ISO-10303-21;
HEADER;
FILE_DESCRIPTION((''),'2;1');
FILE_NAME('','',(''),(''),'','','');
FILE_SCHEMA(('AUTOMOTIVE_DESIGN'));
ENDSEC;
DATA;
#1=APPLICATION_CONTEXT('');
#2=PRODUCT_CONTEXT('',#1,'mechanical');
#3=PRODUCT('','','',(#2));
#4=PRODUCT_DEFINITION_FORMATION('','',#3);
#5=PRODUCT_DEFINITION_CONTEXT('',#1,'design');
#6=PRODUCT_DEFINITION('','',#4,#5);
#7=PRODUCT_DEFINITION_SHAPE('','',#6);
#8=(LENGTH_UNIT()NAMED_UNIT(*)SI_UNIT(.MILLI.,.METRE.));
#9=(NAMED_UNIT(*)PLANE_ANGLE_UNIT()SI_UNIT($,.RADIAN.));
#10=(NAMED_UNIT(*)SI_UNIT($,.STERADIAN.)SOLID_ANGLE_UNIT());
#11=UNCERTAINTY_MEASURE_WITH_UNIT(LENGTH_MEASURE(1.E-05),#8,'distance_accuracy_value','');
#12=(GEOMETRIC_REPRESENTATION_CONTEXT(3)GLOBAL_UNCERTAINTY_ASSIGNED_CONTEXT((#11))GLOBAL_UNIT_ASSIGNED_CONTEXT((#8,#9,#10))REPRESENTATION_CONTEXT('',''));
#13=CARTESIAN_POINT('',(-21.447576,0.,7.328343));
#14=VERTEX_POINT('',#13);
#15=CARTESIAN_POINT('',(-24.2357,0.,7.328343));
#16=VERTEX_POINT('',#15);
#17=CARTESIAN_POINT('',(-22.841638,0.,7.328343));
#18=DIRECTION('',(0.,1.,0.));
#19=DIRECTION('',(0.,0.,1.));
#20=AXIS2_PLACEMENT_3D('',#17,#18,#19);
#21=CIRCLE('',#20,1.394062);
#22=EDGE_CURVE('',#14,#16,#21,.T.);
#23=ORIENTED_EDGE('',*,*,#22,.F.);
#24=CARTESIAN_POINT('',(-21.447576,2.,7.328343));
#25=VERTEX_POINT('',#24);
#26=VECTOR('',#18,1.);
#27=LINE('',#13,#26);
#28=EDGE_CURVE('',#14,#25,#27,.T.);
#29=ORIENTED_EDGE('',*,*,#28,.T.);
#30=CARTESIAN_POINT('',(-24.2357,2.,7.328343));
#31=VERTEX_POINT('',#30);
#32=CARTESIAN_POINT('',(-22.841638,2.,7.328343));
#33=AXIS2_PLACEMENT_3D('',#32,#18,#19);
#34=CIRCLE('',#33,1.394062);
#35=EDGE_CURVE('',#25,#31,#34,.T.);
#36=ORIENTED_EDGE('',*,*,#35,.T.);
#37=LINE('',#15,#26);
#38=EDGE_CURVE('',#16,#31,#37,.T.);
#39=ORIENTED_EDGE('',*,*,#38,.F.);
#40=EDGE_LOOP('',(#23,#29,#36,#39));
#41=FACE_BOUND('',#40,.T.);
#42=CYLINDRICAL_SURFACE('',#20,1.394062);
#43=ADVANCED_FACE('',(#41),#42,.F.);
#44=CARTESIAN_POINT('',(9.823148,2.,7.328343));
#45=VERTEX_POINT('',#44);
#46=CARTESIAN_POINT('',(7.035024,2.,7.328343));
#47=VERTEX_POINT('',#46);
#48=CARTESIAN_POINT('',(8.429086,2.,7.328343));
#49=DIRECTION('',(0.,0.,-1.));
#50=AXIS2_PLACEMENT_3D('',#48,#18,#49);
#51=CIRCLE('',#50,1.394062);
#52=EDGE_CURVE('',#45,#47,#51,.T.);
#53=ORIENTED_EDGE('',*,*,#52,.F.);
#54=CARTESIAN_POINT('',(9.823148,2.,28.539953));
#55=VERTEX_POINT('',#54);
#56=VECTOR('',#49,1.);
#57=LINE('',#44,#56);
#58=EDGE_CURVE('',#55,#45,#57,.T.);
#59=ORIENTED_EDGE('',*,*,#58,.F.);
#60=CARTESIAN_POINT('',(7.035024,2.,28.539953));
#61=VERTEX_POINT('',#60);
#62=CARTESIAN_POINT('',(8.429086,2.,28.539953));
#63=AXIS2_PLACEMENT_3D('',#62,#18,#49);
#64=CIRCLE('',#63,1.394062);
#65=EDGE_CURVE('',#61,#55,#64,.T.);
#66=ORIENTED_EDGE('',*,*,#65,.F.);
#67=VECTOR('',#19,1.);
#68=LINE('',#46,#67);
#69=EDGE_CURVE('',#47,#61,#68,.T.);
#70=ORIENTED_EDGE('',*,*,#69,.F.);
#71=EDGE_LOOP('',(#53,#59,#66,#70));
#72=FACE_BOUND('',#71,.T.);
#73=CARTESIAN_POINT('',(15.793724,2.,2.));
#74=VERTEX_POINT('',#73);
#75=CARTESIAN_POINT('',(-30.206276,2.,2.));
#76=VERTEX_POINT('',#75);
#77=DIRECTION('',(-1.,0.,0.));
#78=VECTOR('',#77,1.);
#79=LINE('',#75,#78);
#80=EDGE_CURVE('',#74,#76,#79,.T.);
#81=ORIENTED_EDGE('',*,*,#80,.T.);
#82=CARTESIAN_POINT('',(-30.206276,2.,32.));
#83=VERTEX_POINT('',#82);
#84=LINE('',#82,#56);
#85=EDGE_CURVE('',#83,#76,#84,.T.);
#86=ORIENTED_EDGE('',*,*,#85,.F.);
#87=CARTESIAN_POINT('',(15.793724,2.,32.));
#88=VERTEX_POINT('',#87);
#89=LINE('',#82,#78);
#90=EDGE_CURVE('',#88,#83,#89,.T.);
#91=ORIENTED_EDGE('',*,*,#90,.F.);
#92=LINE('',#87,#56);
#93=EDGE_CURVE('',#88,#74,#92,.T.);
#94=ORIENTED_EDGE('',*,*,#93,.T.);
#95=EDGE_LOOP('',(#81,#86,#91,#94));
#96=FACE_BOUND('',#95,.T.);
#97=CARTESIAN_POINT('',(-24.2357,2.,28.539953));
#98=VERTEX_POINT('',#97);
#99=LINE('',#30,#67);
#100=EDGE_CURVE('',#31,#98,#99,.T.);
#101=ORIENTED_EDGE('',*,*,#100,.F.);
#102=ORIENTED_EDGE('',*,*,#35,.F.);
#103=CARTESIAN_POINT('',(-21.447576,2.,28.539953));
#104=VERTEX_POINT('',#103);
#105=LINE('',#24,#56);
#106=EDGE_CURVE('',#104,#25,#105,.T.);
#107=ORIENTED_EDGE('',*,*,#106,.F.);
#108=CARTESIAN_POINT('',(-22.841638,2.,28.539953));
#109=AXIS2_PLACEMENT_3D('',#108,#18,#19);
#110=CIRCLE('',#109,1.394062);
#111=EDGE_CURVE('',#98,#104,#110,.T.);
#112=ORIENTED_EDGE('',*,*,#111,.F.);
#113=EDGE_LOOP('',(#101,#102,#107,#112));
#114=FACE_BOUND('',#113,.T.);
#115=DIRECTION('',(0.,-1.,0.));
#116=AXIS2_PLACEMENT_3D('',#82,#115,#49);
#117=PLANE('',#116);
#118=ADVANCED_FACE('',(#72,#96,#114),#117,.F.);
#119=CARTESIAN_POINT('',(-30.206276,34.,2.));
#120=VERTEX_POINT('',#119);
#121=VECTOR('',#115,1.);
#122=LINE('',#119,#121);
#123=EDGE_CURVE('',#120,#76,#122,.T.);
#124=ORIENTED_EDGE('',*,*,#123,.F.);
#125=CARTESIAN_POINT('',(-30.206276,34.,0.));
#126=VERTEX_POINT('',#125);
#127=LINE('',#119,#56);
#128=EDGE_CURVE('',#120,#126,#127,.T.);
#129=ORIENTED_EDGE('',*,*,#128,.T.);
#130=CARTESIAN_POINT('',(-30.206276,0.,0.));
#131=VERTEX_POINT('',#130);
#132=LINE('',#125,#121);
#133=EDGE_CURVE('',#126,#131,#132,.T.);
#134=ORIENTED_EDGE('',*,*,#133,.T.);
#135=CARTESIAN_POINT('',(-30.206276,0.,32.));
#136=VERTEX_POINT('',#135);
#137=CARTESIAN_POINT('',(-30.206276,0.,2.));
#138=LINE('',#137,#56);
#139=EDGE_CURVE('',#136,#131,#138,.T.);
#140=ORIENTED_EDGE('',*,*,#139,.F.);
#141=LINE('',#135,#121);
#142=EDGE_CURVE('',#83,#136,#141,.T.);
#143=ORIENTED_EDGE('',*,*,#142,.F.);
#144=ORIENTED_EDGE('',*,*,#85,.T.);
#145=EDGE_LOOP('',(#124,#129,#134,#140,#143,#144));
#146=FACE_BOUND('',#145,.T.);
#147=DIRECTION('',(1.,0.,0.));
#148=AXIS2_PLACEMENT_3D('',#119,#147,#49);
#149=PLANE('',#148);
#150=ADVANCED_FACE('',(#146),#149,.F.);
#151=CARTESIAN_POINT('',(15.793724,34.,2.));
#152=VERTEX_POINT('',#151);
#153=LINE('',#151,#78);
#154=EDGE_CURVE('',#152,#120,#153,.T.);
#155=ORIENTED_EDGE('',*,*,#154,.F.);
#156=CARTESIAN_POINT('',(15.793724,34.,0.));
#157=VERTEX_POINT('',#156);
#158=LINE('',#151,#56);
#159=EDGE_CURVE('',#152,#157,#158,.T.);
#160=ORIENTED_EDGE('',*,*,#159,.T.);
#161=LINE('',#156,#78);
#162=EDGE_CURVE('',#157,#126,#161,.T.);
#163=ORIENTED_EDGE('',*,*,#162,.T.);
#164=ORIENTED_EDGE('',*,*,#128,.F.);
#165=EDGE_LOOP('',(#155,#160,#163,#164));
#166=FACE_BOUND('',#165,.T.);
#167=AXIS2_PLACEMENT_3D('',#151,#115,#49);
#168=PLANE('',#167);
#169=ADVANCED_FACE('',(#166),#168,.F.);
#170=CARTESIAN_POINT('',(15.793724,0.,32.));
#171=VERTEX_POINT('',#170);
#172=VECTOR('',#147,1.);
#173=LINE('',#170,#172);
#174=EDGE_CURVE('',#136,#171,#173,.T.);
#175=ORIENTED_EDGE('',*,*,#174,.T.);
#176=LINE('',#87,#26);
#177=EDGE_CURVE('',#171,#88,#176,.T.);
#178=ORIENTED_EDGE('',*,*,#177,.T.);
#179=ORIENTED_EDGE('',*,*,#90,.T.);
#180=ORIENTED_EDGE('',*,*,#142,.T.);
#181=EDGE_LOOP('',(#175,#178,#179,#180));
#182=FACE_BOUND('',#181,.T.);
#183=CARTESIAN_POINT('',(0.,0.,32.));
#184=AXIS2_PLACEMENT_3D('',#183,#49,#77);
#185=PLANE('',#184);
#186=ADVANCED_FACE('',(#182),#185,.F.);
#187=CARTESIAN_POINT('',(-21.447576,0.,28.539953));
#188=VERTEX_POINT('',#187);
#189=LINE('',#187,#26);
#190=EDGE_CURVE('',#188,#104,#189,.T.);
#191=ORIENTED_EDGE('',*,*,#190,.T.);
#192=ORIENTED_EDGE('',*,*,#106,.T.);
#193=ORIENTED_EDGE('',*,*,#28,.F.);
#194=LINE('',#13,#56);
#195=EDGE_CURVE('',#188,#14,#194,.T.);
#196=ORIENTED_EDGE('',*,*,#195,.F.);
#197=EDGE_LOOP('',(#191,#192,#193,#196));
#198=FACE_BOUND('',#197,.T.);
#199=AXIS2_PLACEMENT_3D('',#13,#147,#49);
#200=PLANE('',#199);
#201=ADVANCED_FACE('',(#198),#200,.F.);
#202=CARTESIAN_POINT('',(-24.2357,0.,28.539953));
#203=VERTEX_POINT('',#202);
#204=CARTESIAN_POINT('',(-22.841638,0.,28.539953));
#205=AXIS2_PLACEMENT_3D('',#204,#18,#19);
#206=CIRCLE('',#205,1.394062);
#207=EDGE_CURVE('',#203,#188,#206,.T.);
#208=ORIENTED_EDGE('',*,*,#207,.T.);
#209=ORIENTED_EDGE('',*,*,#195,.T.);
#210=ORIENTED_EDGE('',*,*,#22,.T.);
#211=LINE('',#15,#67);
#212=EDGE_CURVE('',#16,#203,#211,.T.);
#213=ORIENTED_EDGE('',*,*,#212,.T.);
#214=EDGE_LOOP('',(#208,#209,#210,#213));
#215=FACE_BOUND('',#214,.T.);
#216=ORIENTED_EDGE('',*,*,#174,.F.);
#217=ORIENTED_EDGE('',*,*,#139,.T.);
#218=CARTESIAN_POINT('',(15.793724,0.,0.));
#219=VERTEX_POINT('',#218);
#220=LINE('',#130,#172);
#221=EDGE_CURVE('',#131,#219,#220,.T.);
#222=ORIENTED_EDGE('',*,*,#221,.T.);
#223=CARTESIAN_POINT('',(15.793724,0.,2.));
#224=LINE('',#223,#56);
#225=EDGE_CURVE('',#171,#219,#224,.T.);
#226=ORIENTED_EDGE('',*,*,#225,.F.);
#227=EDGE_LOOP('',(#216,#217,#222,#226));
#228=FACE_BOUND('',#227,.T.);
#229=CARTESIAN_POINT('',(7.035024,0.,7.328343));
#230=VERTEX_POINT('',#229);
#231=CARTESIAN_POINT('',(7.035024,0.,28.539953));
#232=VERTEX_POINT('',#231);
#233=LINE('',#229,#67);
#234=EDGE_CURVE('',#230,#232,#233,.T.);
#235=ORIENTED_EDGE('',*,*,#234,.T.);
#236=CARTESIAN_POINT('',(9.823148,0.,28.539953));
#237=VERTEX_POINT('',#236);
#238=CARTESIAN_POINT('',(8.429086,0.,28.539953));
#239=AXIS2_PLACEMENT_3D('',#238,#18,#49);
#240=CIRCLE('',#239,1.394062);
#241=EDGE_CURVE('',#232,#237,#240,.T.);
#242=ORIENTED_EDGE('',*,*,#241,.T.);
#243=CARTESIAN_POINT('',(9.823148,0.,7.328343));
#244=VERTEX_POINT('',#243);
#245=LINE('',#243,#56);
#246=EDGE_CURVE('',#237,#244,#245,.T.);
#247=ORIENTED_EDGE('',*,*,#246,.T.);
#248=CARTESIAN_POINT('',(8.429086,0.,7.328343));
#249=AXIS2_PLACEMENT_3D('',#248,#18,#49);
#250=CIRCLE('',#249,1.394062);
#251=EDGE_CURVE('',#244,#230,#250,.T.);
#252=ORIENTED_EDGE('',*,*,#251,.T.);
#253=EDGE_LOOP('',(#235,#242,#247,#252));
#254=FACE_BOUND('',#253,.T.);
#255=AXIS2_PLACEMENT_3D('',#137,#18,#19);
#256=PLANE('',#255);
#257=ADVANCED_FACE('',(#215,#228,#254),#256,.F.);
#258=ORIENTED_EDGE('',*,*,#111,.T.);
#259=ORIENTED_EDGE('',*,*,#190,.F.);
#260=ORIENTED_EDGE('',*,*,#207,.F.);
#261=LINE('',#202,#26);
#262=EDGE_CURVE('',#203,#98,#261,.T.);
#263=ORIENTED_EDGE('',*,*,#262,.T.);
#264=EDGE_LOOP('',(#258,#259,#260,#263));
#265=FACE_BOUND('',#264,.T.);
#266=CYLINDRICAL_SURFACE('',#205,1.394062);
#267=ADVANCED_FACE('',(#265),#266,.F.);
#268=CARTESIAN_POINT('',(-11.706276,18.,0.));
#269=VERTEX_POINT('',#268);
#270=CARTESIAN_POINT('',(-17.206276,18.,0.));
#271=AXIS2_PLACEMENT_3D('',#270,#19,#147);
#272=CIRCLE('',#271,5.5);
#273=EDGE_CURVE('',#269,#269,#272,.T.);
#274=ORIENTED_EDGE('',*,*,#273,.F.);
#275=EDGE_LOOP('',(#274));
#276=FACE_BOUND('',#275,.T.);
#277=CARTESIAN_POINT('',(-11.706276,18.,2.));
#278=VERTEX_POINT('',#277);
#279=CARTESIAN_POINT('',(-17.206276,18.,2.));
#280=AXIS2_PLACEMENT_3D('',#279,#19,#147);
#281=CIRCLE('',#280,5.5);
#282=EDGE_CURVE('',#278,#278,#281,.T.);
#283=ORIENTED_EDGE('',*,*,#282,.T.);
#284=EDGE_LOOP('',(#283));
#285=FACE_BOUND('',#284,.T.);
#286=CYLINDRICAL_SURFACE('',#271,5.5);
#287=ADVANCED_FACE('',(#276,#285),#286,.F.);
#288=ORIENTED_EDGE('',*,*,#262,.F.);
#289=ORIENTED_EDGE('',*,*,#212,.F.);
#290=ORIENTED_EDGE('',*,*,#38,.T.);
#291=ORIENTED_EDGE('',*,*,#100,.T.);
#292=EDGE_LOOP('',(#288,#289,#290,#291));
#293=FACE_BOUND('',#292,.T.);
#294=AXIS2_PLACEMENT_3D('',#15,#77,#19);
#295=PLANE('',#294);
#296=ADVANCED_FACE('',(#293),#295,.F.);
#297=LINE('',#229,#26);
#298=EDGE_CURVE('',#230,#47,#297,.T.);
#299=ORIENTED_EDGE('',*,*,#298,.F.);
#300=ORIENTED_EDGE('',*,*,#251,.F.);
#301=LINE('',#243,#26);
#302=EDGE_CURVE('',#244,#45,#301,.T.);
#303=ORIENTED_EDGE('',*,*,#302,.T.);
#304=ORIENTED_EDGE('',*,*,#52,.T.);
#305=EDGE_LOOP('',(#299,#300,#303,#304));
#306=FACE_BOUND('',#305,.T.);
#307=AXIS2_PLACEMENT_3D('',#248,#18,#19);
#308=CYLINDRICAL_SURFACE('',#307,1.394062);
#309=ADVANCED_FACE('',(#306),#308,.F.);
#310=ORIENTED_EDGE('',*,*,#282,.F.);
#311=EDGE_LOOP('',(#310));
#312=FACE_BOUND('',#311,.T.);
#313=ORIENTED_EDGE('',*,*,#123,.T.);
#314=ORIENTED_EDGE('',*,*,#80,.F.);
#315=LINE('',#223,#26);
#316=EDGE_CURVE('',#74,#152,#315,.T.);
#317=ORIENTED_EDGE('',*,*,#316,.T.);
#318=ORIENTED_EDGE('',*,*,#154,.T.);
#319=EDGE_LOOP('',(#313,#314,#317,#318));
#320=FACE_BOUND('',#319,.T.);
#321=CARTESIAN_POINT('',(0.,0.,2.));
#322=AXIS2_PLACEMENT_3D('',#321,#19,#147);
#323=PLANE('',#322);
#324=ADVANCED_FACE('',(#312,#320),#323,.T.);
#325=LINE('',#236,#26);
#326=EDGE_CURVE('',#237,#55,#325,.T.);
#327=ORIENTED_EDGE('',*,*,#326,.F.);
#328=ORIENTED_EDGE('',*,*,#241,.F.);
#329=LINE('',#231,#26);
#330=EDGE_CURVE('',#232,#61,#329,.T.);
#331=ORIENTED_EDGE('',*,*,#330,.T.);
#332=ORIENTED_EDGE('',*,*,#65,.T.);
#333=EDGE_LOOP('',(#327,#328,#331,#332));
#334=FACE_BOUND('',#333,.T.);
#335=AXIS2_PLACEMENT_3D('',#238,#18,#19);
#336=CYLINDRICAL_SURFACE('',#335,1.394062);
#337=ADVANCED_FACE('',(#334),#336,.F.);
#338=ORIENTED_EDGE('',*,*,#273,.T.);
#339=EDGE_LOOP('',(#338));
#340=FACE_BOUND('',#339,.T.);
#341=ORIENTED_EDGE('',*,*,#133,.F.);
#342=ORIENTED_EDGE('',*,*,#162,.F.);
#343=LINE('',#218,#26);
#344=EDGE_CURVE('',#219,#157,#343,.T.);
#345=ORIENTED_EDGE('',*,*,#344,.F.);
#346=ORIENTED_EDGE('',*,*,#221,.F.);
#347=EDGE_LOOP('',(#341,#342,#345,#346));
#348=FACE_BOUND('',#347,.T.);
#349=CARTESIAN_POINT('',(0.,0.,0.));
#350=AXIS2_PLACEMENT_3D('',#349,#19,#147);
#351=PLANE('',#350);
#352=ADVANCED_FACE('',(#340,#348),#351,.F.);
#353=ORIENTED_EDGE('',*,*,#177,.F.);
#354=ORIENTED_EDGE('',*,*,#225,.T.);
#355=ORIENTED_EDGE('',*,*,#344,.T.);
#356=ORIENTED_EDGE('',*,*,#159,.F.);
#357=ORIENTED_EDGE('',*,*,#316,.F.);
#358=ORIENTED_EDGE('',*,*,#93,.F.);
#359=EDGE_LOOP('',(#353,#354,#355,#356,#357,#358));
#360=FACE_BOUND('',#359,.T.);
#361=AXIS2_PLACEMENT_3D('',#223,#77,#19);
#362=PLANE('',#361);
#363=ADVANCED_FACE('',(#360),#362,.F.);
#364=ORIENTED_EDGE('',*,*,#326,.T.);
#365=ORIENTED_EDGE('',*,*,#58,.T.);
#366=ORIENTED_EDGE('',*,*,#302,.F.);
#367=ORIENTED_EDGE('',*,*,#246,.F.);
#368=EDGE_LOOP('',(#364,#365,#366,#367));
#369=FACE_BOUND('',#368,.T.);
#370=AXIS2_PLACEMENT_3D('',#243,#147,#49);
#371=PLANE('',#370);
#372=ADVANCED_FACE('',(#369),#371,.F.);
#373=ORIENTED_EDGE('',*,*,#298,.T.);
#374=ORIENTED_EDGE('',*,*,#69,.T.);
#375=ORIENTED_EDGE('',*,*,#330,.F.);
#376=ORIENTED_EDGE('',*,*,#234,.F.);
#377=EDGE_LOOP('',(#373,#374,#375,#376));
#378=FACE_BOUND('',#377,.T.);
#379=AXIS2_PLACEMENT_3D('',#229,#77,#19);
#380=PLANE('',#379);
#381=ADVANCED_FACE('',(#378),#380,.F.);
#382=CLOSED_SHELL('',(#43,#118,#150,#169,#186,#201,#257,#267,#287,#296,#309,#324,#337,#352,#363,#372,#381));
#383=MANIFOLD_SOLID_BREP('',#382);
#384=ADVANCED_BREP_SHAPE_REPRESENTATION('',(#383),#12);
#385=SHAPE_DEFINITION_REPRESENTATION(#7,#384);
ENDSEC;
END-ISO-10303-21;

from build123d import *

# Parameters (mm, degrees)
SKETCH_1_W          = 46
SKETCH_1_H          = 34
EXTRUDE_1_DEPTH     = 2
SKETCH_2_W          = 46
SKETCH_2_H          = 2
EXTRUDE_2_DEPTH     = 30
SKETCH_3_R          = 5.5
CUT_EXTRUDE_1_DEPTH = 2
CUT_EXTRUDE_2_DEPTH = 2


with BuildPart() as part:
    # 草图1 → 凸台-拉伸1 (new body)
    with BuildSketch(Plane.XY):
        with Locations((-7.206275861, 17)):
            Rectangle(SKETCH_1_W, SKETCH_1_H)
    extrude(amount=EXTRUDE_1_DEPTH)

    # 草图2 → 凸台-拉伸2 (add)
    with BuildSketch(Plane.XY.offset(2)):
        with Locations((-7.206275861, 1)):
            Rectangle(SKETCH_2_W, SKETCH_2_H)
    extrude(amount=EXTRUDE_2_DEPTH)

    # 草图3 → 切除-拉伸1 (cut)
    with BuildSketch(Plane.XY.offset(2)):
        with Locations((-17.206275861, 18)):
            Circle(SKETCH_3_R)
    extrude(amount=-CUT_EXTRUDE_1_DEPTH, mode=Mode.SUBTRACT)

    # 草图4 → 切除-拉伸2 (cut)
    with BuildSketch(Plane(origin=(0, 2, 0), x_dir=(1, 0, 0), z_dir=(0, 1, 0))):
        with BuildLine():
            Line((-24.235699599, -7.328343443), (-24.235699599, -28.539953108))
            ThreePointArc((-24.235699599, -28.539953108), (-22.841637624, -29.934015083), (-21.447575649, -28.539953108))
            Line((-21.447575649, -28.539953108), (-21.447575649, -7.328343443))
            ThreePointArc((-21.447575649, -7.328343443), (-22.841637624, -5.934281468), (-24.235699599, -7.328343443))
        make_face()
        with BuildLine():
            Line((7.035023927, -7.328343443), (7.035023927, -28.539953108))
            ThreePointArc((7.035023927, -28.539953108), (8.429085903, -29.934015083), (9.823147878, -28.539953108))
            Line((9.823147878, -28.539953108), (9.823147878, -7.328343443))
            ThreePointArc((9.823147878, -7.328343443), (8.429085903, -5.934281468), (7.035023927, -7.328343443))
        make_face()
    extrude(amount=-CUT_EXTRUDE_2_DEPTH, mode=Mode.SUBTRACT)


solid = part.part
